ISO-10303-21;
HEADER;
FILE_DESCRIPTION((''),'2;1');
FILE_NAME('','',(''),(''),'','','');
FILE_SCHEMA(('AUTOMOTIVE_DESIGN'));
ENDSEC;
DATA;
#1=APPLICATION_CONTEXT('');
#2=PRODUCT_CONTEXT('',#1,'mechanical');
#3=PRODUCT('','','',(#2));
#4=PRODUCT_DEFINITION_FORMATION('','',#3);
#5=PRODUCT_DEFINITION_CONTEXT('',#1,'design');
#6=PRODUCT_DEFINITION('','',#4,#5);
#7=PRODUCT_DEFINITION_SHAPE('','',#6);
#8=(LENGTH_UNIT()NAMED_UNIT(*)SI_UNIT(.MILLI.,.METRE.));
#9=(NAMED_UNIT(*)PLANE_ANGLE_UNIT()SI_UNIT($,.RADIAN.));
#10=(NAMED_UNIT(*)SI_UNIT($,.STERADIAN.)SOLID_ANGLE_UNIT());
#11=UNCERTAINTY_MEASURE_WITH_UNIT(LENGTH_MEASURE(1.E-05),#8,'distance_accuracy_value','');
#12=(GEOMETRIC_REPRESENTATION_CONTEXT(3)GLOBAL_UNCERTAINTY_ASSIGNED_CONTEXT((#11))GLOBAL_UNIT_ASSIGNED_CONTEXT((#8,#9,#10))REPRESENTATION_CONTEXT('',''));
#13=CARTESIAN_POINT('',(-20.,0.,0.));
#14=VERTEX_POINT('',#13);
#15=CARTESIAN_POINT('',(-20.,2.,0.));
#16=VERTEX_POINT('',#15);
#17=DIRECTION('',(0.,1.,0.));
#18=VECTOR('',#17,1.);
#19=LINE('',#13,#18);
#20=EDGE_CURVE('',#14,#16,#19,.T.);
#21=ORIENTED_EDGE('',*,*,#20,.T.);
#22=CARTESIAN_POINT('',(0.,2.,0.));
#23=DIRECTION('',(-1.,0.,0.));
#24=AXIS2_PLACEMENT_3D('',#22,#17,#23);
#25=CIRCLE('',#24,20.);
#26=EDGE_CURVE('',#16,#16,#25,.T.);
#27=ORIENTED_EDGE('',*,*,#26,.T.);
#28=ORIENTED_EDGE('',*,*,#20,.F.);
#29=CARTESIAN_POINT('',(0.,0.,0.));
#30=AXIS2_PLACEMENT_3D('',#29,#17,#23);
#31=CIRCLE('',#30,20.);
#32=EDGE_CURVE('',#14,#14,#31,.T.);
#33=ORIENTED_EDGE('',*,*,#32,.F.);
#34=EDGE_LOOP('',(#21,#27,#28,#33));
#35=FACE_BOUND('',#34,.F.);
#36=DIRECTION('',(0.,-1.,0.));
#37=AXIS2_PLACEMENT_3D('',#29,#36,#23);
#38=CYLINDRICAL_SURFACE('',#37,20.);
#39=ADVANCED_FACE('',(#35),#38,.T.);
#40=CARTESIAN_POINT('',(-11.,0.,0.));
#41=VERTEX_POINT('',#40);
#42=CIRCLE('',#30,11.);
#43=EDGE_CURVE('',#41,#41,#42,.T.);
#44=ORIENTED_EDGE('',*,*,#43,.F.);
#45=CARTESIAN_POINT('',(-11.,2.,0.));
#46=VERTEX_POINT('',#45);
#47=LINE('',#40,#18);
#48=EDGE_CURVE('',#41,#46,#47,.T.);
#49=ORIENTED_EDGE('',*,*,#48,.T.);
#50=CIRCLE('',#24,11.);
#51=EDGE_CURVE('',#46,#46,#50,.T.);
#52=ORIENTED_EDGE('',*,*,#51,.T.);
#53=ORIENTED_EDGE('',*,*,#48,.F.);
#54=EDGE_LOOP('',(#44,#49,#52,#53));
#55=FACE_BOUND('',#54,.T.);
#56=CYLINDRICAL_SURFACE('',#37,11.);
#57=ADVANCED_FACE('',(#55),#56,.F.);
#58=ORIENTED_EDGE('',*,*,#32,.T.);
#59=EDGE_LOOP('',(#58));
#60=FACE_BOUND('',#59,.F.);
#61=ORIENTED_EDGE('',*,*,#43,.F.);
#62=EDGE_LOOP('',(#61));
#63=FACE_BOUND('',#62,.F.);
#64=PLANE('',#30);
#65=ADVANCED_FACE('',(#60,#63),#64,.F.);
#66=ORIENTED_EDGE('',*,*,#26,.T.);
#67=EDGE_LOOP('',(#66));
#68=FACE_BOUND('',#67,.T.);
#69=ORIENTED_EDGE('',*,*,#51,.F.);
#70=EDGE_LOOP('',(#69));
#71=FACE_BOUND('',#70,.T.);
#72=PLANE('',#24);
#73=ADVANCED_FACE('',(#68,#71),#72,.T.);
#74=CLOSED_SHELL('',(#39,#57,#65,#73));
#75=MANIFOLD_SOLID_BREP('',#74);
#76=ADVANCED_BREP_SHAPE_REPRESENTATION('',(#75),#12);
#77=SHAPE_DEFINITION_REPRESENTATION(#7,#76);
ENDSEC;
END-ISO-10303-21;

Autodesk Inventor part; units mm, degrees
ref_plane "YZ Plane" through (0, 0, 0) normal (1, 0, 0) x (0, 1, 0)
ref_plane "XZ Plane" through (0, 0, 0) normal (0, 1, 0) x (-1, 0, 0)
ref_plane "XY Plane" through (0, 0, 0) normal (0, 0, 1) x (1, 0, 0)
sketch "スケッチ1" plane through (0, 0, 0) normal (0, 1, 0) x (-1, 0, 0)
  circle A0 centre (0, 0) radius 11
  circle A1 centre (0, 0) radius 20
  dimension "d0" = 22
  dimension "d1" = 40
extrude "押し出し1" add sketch "スケッチ1" along normal blind 2
properties part number "spacer"
